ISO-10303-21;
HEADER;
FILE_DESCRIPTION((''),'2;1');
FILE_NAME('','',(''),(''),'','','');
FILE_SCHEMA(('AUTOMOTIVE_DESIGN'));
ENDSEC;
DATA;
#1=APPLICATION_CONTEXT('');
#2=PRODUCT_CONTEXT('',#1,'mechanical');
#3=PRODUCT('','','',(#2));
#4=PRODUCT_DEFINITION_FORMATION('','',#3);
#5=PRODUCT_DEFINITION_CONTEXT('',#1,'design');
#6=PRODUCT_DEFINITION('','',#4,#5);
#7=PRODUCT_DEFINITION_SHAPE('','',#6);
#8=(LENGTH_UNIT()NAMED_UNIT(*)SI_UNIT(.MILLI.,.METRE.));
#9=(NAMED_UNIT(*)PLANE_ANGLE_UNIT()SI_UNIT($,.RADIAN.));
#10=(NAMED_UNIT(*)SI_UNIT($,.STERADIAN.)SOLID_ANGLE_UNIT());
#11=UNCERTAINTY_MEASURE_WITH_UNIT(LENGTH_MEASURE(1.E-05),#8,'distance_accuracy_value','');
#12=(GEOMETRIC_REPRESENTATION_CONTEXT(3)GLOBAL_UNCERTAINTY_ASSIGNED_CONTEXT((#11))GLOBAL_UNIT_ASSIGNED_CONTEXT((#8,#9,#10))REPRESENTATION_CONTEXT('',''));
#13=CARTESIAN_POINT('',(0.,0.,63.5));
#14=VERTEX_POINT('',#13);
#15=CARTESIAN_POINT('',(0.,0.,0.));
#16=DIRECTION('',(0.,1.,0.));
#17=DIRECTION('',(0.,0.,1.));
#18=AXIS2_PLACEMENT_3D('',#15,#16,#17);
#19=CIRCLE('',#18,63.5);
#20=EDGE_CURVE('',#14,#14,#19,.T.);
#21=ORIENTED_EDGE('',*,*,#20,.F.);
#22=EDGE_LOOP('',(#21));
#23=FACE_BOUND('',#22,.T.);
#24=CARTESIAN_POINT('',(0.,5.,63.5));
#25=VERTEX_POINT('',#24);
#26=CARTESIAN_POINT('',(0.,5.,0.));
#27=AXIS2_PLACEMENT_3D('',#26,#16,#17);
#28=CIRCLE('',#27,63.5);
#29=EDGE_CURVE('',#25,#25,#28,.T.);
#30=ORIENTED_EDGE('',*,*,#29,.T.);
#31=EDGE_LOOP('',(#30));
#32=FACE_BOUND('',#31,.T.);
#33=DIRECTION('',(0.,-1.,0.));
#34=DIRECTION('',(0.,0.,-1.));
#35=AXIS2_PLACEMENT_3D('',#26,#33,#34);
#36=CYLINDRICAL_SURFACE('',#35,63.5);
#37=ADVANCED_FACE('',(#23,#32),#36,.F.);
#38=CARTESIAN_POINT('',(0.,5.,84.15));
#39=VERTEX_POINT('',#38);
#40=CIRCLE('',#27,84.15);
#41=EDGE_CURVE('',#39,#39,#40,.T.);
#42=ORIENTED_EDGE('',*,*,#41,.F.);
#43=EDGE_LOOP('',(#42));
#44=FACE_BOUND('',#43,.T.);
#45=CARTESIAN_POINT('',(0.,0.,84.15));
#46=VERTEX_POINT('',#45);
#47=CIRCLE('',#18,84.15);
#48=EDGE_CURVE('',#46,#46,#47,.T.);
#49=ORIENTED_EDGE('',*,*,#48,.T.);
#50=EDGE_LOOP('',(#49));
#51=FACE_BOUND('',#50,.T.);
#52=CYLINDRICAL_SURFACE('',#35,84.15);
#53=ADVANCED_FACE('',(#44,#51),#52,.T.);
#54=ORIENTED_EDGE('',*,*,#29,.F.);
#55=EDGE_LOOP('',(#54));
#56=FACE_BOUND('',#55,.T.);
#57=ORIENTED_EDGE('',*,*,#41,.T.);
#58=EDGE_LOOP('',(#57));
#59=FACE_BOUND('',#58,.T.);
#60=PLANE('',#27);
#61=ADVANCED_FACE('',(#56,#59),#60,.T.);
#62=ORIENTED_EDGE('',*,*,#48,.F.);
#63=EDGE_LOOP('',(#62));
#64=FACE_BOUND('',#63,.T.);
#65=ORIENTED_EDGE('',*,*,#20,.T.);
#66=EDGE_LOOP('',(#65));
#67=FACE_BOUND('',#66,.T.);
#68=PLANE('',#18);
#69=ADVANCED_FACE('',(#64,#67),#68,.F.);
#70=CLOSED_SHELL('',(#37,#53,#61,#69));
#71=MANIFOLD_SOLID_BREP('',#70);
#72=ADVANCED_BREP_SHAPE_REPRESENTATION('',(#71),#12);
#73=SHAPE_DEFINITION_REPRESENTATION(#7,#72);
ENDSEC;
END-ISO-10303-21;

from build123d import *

# Parameters (mm, degrees)
SKETCH1_R              = 84.15
SKETCH1_R_2            = 63.5
CARBON_FELT_RING_DEPTH = 5


with BuildPart() as part:
    # Sketch1 → Carbon Felt Ring (new body)
    with BuildSketch(Plane(origin=(0, 0, 0), x_dir=(1, 0, 0), z_dir=(0, 1, 0))):
        Circle(SKETCH1_R)
        Circle(SKETCH1_R_2, mode=Mode.SUBTRACT)
    extrude(amount=CARBON_FELT_RING_DEPTH)


solid = part.part
